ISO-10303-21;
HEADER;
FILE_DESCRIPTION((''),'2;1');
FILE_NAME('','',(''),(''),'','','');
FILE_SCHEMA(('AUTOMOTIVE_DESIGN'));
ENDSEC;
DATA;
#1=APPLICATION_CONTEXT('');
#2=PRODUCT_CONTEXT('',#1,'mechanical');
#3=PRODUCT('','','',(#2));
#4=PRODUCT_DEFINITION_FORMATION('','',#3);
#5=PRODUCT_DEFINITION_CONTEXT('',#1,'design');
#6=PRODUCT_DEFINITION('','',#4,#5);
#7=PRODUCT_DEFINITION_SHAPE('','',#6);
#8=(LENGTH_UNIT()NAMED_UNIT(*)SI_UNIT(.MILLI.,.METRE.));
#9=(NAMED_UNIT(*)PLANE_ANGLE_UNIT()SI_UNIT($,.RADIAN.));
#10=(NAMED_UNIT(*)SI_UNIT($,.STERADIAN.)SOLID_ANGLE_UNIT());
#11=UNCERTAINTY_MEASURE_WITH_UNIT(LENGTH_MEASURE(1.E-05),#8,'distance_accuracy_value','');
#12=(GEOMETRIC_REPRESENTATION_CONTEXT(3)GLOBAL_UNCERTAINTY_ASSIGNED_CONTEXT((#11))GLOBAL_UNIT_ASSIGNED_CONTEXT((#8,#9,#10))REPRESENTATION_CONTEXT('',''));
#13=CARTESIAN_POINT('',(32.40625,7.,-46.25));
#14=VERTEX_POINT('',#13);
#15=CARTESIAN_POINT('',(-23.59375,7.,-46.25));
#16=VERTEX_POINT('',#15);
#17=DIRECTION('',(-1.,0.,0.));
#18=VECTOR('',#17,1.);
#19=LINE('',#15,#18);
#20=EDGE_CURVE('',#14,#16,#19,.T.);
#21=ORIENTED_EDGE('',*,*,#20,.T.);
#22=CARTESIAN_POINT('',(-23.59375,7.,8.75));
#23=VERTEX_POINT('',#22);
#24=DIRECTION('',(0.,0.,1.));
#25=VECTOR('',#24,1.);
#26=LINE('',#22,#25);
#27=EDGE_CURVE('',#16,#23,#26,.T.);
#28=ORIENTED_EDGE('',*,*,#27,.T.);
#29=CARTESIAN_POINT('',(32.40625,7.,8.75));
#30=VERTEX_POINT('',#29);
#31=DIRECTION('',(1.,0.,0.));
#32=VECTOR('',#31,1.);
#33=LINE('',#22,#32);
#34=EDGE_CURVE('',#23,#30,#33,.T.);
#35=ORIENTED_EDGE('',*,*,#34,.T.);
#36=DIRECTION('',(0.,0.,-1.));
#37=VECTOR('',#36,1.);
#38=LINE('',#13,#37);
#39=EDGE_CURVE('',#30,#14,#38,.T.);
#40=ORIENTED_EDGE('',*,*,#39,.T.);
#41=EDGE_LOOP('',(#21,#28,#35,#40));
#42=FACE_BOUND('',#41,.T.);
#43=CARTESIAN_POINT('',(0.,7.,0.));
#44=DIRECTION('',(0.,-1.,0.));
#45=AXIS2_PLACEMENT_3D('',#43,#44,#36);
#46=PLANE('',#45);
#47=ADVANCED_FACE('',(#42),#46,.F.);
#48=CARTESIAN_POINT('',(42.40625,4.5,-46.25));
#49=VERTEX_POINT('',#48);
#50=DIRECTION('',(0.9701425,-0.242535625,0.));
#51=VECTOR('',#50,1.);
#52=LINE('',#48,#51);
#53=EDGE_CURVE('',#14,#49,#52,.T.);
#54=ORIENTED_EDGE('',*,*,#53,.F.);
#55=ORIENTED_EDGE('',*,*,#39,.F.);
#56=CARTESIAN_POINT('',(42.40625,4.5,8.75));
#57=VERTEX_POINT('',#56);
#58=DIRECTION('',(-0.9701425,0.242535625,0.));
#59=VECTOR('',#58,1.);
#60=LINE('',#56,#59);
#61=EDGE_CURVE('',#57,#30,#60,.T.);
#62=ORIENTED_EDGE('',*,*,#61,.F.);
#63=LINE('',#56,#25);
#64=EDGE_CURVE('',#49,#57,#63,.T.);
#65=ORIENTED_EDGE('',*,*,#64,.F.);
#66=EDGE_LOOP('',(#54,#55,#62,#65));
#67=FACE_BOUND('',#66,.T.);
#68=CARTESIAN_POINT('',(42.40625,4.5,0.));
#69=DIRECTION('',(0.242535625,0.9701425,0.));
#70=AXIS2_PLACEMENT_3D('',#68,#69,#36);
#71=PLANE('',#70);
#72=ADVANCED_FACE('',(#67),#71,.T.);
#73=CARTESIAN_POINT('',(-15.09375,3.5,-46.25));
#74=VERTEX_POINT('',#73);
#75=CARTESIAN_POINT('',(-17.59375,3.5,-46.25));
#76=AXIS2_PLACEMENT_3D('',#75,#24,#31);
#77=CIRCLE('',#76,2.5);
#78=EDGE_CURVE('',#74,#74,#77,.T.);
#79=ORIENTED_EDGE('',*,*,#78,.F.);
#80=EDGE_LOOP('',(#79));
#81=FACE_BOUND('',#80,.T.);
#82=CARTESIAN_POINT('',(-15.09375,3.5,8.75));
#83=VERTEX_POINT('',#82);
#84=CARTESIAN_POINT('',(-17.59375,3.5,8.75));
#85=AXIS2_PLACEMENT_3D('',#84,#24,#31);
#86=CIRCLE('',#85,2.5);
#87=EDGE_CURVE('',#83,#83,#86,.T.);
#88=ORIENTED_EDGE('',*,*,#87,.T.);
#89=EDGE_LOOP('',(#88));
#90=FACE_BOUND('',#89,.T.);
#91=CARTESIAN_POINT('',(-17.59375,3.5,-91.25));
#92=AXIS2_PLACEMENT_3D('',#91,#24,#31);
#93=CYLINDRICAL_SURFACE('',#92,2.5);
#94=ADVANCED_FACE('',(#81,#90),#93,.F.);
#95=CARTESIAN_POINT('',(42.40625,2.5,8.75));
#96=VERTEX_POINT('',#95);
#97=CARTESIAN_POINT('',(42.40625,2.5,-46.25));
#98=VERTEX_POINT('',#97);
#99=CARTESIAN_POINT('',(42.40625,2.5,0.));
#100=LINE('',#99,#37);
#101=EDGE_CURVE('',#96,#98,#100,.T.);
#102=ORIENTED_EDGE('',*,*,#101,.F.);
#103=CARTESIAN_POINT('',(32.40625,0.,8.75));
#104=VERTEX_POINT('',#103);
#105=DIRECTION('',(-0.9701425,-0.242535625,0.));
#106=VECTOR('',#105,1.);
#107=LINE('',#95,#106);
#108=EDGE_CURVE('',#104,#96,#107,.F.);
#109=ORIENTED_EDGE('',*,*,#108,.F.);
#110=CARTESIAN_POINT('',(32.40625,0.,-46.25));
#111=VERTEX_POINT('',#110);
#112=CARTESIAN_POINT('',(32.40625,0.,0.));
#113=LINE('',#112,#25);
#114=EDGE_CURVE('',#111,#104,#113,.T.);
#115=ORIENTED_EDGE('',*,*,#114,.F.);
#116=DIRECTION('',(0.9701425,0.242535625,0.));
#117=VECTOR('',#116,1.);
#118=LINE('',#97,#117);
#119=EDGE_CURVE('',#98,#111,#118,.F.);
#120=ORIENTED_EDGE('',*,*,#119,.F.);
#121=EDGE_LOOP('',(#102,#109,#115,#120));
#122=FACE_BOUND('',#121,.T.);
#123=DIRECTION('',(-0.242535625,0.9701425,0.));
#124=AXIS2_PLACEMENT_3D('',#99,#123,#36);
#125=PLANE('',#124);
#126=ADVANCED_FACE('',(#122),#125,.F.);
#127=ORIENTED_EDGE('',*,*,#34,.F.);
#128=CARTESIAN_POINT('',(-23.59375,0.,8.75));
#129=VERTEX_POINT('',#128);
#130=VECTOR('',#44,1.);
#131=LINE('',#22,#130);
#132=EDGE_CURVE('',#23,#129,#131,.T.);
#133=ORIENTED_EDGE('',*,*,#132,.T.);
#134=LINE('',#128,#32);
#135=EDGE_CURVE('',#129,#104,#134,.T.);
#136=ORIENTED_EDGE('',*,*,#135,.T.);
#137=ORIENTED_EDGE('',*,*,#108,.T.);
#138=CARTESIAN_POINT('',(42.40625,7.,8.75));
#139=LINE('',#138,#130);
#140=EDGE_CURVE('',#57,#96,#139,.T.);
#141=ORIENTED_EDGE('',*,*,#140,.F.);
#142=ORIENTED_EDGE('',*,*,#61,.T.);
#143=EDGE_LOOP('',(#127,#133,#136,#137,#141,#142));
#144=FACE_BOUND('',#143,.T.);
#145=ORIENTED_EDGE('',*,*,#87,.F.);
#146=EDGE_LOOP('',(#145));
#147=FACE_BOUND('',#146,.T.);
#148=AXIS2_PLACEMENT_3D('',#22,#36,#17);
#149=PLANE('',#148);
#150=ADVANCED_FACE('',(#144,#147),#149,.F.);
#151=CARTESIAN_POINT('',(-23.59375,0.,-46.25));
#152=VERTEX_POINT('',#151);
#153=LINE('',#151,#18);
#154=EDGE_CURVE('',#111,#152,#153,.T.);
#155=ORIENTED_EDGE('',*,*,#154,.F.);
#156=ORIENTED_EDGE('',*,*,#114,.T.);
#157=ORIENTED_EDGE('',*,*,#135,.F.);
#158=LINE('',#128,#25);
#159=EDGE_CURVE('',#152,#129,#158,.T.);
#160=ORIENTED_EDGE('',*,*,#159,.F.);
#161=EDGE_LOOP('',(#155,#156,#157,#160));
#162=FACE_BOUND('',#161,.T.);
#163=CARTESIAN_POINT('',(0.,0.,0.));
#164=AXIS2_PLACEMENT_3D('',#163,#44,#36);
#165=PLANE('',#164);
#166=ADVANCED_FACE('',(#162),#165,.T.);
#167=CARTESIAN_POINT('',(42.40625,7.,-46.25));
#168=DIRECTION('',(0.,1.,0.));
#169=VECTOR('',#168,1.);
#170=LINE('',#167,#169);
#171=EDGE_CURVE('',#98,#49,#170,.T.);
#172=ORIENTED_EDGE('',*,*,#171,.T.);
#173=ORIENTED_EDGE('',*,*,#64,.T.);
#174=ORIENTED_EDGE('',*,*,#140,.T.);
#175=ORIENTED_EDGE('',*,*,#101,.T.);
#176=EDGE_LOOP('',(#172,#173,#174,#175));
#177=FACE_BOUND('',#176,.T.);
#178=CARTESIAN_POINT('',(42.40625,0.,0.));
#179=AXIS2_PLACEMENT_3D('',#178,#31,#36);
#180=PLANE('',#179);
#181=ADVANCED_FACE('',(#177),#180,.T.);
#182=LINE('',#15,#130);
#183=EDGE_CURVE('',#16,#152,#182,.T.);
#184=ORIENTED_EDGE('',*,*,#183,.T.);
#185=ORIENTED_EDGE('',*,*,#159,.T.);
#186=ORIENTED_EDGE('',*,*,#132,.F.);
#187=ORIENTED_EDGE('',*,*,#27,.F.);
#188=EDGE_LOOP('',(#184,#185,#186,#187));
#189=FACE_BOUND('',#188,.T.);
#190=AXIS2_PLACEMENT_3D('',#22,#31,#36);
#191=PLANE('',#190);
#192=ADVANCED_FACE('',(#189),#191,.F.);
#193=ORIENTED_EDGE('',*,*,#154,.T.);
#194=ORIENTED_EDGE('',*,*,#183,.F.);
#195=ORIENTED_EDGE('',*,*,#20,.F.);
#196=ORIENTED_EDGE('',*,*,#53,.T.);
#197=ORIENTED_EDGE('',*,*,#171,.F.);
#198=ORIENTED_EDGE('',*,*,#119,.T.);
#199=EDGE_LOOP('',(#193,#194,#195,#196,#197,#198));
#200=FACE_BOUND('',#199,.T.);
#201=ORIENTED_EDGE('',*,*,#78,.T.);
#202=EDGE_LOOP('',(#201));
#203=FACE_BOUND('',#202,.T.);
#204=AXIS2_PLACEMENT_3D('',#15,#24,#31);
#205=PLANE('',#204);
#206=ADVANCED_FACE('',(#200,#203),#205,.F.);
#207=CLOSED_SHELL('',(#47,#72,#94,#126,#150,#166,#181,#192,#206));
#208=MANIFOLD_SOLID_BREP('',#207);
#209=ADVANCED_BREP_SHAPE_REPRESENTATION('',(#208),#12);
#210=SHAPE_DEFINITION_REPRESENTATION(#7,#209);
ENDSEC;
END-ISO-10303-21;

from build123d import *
from OCP.BRepFilletAPI import BRepFilletAPI_MakeChamfer

# Parameters (mm, degrees)
SKETCH1_W           = 44
SKETCH1_H           = 55
BOSS_EXTRUDE1_DEPTH = 7
CUT_EXTRUDE1_DEPTH  = 100
SKETCH3_W           = 55
SKETCH3_H           = 7
BOSS_EXTRUDE2_DEPTH = 22
CHAMFER1_SIZE       = 10
CHAMFER1_SIZE2      = 2.5


with BuildPart() as part:
    # Sketch1 → Boss-Extrude1 (new body)
    with BuildSketch(Plane(origin=(0, 0, 0), x_dir=(1, 0, 0), z_dir=(0, 1, 0))):
        with Locations((-1.59375, 18.75)):
            Rectangle(SKETCH1_W, SKETCH1_H)
    extrude(amount=BOSS_EXTRUDE1_DEPTH)

    # Sketch2 → Cut-Extrude1 (cut)
    with BuildSketch(Plane.XY.offset(8.75)):
        with BuildLine():
            ThreePointArc((-15.09375, 3.5), (-15.825983047, 5.267766953), (-17.59375, 6))
            Line((-17.59375, 6), (-17.59375, 1))
            ThreePointArc((-17.59375, 1), (-15.825983047, 1.732233047), (-15.09375, 3.5))
        make_face()
        with BuildLine():
            Line((-17.59375, 1), (-17.59375, 6))
            ThreePointArc((-17.59375, 6), (-20.09375, 3.5), (-17.59375, 1))
        make_face()
    extrude(amount=-CUT_EXTRUDE1_DEPTH, mode=Mode.SUBTRACT)

    # Sketch3 → Boss-Extrude2 (add)
    with BuildSketch(Plane(origin=(20.40625, 0, 0), x_dir=(0, 0, -1), z_dir=(1, 0, 0))):
        with Locations((18.75, 3.5)):
            Rectangle(SKETCH3_W, SKETCH3_H)
    extrude(amount=BOSS_EXTRUDE2_DEPTH)

    # Chamfer1: one chamfer whose edges measure the first distance from different faces: ONE call of the kernel's chamfer builder (chamfer() names one face for all edges)
    chamfer1_edges_1 = [part.edges().sort_by_distance(p)[0] for p in [
        (42.40625, 0, -18.75),
    ]]
    chamfer1_side_1 = [part.faces().sort_by_distance(p)[0] for p in [
        (9.40625, 0, -18.75),
    ]]
    chamfer1_edges_2 = [part.edges().sort_by_distance(p)[0] for p in [
        (42.40625, 7, -18.75),
    ]]
    chamfer1_side_2 = [part.faces().sort_by_distance(p)[0] for p in [
        (9.40625, 7, -18.75),
    ]]
    chamfer1 = BRepFilletAPI_MakeChamfer(part.part.solid().wrapped)
    for e in chamfer1_edges_1:
        chamfer1.Add(CHAMFER1_SIZE, CHAMFER1_SIZE2, e.wrapped, chamfer1_side_1[0].wrapped)  # the first distance lies on this face
    for e in chamfer1_edges_2:
        chamfer1.Add(CHAMFER1_SIZE, CHAMFER1_SIZE2, e.wrapped, chamfer1_side_2[0].wrapped)  # the first distance lies on this face
    add(Compound.cast(chamfer1.Shape()), mode=Mode.REPLACE)


solid = part.part
